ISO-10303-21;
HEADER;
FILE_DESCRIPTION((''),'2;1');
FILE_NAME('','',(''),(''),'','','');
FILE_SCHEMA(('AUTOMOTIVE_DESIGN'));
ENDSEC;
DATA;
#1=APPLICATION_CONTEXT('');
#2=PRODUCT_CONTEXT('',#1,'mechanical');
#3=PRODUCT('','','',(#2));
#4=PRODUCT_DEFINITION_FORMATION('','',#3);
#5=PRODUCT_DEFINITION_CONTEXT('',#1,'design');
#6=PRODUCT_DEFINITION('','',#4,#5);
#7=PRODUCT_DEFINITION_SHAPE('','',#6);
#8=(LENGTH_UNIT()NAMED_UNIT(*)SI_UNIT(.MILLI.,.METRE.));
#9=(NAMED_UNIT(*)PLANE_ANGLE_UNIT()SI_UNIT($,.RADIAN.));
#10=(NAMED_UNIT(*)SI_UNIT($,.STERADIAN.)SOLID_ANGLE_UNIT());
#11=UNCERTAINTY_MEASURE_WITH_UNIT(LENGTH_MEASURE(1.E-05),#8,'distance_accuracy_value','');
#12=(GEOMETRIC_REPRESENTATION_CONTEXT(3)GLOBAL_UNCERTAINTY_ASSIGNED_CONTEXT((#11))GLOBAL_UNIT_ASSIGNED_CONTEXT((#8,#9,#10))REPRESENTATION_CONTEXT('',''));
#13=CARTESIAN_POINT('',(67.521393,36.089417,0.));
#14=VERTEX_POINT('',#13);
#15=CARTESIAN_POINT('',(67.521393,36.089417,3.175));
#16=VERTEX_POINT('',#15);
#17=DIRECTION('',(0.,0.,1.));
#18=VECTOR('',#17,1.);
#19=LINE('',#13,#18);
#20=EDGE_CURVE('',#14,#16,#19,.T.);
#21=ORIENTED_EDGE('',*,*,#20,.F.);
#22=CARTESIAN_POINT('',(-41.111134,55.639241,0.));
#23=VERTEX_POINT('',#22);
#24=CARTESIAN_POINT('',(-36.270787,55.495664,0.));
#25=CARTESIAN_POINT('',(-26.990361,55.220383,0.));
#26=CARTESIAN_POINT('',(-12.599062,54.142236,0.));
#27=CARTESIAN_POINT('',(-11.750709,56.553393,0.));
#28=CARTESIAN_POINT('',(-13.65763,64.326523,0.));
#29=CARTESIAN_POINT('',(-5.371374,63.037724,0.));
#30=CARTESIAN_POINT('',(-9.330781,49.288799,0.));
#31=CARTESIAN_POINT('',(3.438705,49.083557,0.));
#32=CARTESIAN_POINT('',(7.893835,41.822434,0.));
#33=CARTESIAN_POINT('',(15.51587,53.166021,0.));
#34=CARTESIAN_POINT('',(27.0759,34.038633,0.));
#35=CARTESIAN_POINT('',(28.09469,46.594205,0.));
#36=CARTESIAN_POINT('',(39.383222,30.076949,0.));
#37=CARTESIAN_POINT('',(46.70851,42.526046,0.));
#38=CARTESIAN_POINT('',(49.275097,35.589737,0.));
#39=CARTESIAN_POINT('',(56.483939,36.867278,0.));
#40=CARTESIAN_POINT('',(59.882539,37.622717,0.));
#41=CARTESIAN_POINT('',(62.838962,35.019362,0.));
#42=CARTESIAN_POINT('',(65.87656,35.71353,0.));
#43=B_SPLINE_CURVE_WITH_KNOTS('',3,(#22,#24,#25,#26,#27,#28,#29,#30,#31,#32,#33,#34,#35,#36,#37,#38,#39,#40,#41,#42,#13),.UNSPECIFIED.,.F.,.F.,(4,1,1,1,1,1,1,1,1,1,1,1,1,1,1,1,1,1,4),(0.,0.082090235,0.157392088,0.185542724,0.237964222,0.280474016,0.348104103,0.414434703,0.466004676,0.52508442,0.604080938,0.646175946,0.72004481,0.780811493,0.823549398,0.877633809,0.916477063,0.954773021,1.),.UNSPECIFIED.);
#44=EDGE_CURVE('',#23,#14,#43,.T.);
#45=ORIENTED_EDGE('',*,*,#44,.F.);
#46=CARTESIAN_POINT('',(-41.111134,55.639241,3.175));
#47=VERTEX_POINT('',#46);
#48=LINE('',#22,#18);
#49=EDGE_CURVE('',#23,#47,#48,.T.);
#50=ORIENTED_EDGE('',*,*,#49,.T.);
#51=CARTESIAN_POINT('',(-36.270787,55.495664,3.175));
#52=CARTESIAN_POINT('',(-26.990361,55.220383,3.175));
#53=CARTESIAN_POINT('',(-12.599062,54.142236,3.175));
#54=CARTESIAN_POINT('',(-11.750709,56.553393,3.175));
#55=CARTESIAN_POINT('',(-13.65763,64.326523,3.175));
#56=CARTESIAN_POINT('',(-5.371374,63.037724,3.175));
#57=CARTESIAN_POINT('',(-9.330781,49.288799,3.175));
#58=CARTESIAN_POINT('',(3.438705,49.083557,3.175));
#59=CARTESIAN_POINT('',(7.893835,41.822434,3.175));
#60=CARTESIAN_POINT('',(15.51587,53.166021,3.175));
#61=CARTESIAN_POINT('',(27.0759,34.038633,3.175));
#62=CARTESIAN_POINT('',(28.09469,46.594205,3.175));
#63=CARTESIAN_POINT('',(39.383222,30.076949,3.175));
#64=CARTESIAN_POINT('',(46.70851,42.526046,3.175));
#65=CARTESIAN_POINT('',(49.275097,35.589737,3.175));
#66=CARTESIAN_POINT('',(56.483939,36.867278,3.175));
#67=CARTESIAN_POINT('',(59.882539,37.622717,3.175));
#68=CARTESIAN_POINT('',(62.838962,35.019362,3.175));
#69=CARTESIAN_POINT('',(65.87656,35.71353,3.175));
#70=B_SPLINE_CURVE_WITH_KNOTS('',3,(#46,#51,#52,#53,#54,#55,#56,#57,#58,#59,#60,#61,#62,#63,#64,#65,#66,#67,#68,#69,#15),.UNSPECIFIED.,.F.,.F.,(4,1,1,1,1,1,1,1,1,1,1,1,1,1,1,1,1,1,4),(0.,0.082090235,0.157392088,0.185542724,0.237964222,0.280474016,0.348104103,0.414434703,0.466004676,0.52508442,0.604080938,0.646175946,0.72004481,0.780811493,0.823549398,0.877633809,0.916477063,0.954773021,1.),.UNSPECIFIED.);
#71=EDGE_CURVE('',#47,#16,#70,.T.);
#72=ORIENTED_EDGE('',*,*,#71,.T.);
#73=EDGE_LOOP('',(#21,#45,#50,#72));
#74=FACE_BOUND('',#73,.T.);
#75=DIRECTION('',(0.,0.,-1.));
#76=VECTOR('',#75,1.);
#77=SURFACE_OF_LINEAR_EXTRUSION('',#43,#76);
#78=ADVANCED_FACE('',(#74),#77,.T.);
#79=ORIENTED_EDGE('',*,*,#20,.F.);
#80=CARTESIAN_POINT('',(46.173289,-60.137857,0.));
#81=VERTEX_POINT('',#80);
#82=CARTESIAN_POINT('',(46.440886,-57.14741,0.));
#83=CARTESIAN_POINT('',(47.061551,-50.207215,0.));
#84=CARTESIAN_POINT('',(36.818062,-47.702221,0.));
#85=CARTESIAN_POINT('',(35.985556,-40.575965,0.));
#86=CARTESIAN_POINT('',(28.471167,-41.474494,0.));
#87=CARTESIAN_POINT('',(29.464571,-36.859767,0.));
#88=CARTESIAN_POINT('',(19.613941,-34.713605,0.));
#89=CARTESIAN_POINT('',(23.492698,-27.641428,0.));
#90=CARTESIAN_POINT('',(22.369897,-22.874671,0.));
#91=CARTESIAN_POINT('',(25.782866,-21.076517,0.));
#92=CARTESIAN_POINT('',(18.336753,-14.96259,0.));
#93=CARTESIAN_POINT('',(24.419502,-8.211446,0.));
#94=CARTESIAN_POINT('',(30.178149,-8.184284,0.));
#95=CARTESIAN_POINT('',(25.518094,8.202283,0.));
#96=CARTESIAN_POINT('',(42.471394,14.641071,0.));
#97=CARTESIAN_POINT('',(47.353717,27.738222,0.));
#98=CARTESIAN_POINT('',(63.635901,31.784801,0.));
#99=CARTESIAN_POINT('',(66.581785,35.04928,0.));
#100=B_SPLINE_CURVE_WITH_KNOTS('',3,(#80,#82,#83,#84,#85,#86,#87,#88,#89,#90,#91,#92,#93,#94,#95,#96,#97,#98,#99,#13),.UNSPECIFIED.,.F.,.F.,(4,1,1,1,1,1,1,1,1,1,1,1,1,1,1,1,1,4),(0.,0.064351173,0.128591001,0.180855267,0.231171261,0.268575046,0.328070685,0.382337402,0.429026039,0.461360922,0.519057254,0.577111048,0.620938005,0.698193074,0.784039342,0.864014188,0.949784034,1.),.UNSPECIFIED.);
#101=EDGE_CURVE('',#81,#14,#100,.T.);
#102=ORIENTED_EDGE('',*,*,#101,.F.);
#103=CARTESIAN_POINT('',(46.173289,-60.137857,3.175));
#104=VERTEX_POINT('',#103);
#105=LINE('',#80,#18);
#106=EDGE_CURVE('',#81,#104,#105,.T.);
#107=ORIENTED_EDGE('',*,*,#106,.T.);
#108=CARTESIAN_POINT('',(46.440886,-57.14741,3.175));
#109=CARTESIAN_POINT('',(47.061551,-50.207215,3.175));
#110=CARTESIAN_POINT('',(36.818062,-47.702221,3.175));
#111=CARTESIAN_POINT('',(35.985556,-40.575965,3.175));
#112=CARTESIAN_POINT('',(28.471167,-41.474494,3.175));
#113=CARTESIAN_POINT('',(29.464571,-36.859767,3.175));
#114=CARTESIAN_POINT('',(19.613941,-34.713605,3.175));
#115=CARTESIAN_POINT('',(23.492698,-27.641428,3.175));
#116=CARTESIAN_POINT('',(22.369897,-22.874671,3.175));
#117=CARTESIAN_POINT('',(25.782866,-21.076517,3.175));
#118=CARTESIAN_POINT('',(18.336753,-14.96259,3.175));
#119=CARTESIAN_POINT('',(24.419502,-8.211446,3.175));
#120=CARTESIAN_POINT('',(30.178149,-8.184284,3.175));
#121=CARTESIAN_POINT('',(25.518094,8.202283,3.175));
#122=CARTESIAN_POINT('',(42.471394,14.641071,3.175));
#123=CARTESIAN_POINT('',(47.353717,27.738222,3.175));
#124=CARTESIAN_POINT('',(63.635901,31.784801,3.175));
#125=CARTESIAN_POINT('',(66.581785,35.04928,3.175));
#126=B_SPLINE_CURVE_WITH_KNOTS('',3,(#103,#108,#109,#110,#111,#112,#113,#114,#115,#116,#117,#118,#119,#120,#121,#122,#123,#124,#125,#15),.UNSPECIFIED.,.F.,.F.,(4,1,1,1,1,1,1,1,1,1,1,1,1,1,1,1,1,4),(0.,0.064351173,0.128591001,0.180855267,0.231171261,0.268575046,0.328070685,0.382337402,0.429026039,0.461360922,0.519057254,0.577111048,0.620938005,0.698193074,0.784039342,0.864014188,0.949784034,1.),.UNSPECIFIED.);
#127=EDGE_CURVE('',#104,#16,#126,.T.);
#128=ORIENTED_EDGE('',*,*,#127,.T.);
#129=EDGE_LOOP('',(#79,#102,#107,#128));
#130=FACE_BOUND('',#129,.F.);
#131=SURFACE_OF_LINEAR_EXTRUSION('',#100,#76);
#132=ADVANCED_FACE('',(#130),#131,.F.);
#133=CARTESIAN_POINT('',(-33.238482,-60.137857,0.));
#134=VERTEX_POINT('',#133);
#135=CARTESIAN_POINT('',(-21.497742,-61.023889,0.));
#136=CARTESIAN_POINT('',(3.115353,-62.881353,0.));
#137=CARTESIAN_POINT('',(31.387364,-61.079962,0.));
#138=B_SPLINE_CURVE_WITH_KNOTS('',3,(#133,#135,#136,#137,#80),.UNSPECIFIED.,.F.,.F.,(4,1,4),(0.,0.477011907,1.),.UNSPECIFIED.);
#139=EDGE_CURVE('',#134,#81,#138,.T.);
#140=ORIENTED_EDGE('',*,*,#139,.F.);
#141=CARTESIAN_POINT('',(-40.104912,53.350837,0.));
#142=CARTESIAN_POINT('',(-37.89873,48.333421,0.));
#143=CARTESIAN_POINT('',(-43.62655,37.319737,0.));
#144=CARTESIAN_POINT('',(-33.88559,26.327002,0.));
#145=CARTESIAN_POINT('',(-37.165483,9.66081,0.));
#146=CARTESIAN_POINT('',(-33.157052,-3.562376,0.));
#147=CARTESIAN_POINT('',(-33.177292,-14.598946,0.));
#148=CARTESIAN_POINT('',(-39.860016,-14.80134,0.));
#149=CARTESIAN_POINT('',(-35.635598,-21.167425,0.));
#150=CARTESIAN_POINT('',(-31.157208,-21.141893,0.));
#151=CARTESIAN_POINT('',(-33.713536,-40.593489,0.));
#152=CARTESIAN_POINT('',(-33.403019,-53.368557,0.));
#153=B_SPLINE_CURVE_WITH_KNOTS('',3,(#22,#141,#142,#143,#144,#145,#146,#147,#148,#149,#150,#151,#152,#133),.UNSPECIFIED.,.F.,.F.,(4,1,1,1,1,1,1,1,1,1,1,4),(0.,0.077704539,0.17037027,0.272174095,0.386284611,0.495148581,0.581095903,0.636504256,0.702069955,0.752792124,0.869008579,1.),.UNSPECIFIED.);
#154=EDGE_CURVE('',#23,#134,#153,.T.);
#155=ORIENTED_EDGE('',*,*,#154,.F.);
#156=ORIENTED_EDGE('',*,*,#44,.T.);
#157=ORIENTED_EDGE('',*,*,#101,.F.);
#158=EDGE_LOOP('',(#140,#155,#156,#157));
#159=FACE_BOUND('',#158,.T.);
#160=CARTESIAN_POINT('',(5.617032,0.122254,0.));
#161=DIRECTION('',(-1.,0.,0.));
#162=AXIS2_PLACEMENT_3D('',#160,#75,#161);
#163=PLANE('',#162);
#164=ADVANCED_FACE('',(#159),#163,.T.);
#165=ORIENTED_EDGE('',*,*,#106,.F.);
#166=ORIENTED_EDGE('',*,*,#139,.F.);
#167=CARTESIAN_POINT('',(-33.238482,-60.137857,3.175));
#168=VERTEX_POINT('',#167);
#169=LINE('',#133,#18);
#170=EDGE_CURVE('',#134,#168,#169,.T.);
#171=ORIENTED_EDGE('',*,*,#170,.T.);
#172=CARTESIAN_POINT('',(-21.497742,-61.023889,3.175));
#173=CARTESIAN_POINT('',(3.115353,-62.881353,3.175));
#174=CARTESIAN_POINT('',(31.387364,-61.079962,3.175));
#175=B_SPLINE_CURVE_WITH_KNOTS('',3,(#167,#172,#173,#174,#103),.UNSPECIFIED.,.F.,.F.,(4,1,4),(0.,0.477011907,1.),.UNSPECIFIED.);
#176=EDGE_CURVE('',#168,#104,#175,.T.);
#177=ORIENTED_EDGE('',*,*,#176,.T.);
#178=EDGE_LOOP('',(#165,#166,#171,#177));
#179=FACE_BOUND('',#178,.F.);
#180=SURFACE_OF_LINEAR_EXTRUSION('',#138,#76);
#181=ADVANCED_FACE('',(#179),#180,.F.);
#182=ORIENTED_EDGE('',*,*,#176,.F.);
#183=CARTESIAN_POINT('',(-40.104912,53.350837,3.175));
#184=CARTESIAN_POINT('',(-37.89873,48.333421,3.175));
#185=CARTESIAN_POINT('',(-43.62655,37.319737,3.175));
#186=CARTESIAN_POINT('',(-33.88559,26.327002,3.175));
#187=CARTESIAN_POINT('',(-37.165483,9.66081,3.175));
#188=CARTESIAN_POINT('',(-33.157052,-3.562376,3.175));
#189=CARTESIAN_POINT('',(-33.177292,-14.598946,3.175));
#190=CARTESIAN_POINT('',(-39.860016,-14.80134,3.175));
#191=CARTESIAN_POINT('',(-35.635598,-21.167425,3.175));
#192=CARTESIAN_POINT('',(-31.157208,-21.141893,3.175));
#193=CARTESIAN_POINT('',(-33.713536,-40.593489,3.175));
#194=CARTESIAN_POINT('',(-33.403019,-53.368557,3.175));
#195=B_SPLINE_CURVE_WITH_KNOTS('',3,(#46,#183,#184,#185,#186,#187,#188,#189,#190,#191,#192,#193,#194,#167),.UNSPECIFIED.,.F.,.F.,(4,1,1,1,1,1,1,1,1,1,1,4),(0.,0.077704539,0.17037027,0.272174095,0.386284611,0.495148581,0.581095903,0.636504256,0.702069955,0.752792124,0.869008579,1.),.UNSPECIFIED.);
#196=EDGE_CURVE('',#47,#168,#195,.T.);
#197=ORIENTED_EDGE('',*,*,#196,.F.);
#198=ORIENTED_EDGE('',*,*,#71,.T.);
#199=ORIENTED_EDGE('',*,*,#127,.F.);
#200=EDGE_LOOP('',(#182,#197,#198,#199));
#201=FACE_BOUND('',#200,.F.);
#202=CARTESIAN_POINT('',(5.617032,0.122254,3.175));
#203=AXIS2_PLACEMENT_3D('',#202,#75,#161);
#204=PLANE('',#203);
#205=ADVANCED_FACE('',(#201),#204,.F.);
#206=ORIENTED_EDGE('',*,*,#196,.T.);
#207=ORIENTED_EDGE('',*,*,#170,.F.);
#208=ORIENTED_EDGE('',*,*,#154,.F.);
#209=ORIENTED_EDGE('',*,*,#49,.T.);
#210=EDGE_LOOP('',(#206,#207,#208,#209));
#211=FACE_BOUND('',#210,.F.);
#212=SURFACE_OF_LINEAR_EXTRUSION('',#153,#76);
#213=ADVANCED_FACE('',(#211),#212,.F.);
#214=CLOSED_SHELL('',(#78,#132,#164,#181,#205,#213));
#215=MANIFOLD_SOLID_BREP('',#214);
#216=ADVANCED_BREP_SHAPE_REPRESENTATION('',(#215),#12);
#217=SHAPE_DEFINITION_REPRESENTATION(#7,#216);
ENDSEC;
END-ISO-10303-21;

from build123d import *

# Parameters (mm, degrees)
F1_DEPTH = 3.175


with BuildPart() as f1:
    # F0 (on Top) → F1 (new body)
    with BuildSketch(Plane.XY):
        with BuildLine():
            add(Edge.make_bspline(
                [(-41.1111339927, 55.6392408907), (-36.2707867092, 55.4956637956), (-26.9903605617, 55.2203825916), (-12.5990621928, 54.1422364983), (-11.7507091659, 56.5533934537), (-13.6576304433, 64.326522536), (-5.3713743266, 63.0377239925), (-9.3307810358, 49.288798607), (3.4387049214, 49.0835573145), (7.8938352698, 41.8224343737), (15.5158704544, 53.166021384), (27.0758999149, 34.0386325293), (28.0946903161, 46.5942054186), (39.383222098, 30.0769485144), (46.7085098637, 42.5260456605), (49.2750974865, 35.5897374192), (56.4839388404, 36.8672779097), (59.8825393511, 37.6227169623), (62.838962457, 35.0193620859), (65.8765595888, 35.7135302674), (67.5213932991, 36.0894165933)],
                knots=[0, 0, 0, 0, 0.0820902353, 0.1573920882, 0.1855427243, 0.2379642218, 0.2804740162, 0.3481041026, 0.4144347034, 0.4660046755, 0.5250844196, 0.6040809382, 0.6461759459, 0.7200448096, 0.7808114931, 0.8235493982, 0.8776338092, 0.9164770627, 0.9547730206, 1, 1, 1, 1], degree=3))
            add(Edge.make_bspline(
                [(-41.1111339927, 55.6392408907), (-40.1049119025, 53.3508370067), (-37.8987302417, 48.3334211389), (-43.6265497878, 37.3197369658), (-33.8855895367, 26.3270022708), (-37.1654834171, 9.6608099214), (-33.1570518853, -3.5623756083), (-33.1772921036, -14.5989463812), (-39.8600158149, -14.8013397453), (-35.6355980902, -21.167425285), (-31.1572079964, -21.1418928047), (-33.7135360454, -40.5934889432), (-33.4030194231, -53.3685567271), (-33.2384817302, -60.1378567517)],
                knots=[0, 0, 0, 0, 0.0777045389, 0.1703702695, 0.272174095, 0.3862846111, 0.495148581, 0.5810959033, 0.6365042556, 0.7020699554, 0.7527921237, 0.8690085789, 1, 1, 1, 1], degree=3))
            add(Edge.make_bspline(
                [(-33.2384817302, -60.1378567517), (-21.4977423446, -61.0238890222), (3.1153526888, -62.8813526589), (31.38736408, -61.0799624059), (46.1732894182, -60.1378567517)],
                knots=[0, 0, 0, 0, 0.4770119065, 1, 1, 1, 1], degree=3))
            add(Edge.make_bspline(
                [(46.1732894182, -60.1378567517), (46.4408855212, -57.1474101837), (47.0615506762, -50.2072152326), (36.8180623714, -47.7022210072), (35.9855564712, -40.5759648787), (28.471166583, -41.4744940357), (29.4645707201, -36.8597672381), (19.6139411295, -34.7136054362), (23.4926984721, -27.6414280251), (22.3698974331, -22.8746712588), (25.7828658056, -21.0765169361), (18.3367531443, -14.9625900366), (24.419501711, -8.211446186), (30.178148708, -8.1842844753), (25.5180940041, 8.202282857), (42.4713943297, 14.6410710566), (47.3537172237, 27.7382216097), (63.635901309, 31.7848005942), (66.5817848214, 35.0492802741), (67.5213932991, 36.0894165933)],
                knots=[0, 0, 0, 0, 0.0643511734, 0.1285910009, 0.1808552669, 0.2311712609, 0.2685750457, 0.3280706847, 0.3823374025, 0.4290260389, 0.4613609221, 0.5190572536, 0.5771110483, 0.6209380053, 0.6981930743, 0.7840393416, 0.864014188, 0.9497840338, 1, 1, 1, 1], degree=3))
        make_face()
    extrude(amount=F1_DEPTH)


solid = f1.part
